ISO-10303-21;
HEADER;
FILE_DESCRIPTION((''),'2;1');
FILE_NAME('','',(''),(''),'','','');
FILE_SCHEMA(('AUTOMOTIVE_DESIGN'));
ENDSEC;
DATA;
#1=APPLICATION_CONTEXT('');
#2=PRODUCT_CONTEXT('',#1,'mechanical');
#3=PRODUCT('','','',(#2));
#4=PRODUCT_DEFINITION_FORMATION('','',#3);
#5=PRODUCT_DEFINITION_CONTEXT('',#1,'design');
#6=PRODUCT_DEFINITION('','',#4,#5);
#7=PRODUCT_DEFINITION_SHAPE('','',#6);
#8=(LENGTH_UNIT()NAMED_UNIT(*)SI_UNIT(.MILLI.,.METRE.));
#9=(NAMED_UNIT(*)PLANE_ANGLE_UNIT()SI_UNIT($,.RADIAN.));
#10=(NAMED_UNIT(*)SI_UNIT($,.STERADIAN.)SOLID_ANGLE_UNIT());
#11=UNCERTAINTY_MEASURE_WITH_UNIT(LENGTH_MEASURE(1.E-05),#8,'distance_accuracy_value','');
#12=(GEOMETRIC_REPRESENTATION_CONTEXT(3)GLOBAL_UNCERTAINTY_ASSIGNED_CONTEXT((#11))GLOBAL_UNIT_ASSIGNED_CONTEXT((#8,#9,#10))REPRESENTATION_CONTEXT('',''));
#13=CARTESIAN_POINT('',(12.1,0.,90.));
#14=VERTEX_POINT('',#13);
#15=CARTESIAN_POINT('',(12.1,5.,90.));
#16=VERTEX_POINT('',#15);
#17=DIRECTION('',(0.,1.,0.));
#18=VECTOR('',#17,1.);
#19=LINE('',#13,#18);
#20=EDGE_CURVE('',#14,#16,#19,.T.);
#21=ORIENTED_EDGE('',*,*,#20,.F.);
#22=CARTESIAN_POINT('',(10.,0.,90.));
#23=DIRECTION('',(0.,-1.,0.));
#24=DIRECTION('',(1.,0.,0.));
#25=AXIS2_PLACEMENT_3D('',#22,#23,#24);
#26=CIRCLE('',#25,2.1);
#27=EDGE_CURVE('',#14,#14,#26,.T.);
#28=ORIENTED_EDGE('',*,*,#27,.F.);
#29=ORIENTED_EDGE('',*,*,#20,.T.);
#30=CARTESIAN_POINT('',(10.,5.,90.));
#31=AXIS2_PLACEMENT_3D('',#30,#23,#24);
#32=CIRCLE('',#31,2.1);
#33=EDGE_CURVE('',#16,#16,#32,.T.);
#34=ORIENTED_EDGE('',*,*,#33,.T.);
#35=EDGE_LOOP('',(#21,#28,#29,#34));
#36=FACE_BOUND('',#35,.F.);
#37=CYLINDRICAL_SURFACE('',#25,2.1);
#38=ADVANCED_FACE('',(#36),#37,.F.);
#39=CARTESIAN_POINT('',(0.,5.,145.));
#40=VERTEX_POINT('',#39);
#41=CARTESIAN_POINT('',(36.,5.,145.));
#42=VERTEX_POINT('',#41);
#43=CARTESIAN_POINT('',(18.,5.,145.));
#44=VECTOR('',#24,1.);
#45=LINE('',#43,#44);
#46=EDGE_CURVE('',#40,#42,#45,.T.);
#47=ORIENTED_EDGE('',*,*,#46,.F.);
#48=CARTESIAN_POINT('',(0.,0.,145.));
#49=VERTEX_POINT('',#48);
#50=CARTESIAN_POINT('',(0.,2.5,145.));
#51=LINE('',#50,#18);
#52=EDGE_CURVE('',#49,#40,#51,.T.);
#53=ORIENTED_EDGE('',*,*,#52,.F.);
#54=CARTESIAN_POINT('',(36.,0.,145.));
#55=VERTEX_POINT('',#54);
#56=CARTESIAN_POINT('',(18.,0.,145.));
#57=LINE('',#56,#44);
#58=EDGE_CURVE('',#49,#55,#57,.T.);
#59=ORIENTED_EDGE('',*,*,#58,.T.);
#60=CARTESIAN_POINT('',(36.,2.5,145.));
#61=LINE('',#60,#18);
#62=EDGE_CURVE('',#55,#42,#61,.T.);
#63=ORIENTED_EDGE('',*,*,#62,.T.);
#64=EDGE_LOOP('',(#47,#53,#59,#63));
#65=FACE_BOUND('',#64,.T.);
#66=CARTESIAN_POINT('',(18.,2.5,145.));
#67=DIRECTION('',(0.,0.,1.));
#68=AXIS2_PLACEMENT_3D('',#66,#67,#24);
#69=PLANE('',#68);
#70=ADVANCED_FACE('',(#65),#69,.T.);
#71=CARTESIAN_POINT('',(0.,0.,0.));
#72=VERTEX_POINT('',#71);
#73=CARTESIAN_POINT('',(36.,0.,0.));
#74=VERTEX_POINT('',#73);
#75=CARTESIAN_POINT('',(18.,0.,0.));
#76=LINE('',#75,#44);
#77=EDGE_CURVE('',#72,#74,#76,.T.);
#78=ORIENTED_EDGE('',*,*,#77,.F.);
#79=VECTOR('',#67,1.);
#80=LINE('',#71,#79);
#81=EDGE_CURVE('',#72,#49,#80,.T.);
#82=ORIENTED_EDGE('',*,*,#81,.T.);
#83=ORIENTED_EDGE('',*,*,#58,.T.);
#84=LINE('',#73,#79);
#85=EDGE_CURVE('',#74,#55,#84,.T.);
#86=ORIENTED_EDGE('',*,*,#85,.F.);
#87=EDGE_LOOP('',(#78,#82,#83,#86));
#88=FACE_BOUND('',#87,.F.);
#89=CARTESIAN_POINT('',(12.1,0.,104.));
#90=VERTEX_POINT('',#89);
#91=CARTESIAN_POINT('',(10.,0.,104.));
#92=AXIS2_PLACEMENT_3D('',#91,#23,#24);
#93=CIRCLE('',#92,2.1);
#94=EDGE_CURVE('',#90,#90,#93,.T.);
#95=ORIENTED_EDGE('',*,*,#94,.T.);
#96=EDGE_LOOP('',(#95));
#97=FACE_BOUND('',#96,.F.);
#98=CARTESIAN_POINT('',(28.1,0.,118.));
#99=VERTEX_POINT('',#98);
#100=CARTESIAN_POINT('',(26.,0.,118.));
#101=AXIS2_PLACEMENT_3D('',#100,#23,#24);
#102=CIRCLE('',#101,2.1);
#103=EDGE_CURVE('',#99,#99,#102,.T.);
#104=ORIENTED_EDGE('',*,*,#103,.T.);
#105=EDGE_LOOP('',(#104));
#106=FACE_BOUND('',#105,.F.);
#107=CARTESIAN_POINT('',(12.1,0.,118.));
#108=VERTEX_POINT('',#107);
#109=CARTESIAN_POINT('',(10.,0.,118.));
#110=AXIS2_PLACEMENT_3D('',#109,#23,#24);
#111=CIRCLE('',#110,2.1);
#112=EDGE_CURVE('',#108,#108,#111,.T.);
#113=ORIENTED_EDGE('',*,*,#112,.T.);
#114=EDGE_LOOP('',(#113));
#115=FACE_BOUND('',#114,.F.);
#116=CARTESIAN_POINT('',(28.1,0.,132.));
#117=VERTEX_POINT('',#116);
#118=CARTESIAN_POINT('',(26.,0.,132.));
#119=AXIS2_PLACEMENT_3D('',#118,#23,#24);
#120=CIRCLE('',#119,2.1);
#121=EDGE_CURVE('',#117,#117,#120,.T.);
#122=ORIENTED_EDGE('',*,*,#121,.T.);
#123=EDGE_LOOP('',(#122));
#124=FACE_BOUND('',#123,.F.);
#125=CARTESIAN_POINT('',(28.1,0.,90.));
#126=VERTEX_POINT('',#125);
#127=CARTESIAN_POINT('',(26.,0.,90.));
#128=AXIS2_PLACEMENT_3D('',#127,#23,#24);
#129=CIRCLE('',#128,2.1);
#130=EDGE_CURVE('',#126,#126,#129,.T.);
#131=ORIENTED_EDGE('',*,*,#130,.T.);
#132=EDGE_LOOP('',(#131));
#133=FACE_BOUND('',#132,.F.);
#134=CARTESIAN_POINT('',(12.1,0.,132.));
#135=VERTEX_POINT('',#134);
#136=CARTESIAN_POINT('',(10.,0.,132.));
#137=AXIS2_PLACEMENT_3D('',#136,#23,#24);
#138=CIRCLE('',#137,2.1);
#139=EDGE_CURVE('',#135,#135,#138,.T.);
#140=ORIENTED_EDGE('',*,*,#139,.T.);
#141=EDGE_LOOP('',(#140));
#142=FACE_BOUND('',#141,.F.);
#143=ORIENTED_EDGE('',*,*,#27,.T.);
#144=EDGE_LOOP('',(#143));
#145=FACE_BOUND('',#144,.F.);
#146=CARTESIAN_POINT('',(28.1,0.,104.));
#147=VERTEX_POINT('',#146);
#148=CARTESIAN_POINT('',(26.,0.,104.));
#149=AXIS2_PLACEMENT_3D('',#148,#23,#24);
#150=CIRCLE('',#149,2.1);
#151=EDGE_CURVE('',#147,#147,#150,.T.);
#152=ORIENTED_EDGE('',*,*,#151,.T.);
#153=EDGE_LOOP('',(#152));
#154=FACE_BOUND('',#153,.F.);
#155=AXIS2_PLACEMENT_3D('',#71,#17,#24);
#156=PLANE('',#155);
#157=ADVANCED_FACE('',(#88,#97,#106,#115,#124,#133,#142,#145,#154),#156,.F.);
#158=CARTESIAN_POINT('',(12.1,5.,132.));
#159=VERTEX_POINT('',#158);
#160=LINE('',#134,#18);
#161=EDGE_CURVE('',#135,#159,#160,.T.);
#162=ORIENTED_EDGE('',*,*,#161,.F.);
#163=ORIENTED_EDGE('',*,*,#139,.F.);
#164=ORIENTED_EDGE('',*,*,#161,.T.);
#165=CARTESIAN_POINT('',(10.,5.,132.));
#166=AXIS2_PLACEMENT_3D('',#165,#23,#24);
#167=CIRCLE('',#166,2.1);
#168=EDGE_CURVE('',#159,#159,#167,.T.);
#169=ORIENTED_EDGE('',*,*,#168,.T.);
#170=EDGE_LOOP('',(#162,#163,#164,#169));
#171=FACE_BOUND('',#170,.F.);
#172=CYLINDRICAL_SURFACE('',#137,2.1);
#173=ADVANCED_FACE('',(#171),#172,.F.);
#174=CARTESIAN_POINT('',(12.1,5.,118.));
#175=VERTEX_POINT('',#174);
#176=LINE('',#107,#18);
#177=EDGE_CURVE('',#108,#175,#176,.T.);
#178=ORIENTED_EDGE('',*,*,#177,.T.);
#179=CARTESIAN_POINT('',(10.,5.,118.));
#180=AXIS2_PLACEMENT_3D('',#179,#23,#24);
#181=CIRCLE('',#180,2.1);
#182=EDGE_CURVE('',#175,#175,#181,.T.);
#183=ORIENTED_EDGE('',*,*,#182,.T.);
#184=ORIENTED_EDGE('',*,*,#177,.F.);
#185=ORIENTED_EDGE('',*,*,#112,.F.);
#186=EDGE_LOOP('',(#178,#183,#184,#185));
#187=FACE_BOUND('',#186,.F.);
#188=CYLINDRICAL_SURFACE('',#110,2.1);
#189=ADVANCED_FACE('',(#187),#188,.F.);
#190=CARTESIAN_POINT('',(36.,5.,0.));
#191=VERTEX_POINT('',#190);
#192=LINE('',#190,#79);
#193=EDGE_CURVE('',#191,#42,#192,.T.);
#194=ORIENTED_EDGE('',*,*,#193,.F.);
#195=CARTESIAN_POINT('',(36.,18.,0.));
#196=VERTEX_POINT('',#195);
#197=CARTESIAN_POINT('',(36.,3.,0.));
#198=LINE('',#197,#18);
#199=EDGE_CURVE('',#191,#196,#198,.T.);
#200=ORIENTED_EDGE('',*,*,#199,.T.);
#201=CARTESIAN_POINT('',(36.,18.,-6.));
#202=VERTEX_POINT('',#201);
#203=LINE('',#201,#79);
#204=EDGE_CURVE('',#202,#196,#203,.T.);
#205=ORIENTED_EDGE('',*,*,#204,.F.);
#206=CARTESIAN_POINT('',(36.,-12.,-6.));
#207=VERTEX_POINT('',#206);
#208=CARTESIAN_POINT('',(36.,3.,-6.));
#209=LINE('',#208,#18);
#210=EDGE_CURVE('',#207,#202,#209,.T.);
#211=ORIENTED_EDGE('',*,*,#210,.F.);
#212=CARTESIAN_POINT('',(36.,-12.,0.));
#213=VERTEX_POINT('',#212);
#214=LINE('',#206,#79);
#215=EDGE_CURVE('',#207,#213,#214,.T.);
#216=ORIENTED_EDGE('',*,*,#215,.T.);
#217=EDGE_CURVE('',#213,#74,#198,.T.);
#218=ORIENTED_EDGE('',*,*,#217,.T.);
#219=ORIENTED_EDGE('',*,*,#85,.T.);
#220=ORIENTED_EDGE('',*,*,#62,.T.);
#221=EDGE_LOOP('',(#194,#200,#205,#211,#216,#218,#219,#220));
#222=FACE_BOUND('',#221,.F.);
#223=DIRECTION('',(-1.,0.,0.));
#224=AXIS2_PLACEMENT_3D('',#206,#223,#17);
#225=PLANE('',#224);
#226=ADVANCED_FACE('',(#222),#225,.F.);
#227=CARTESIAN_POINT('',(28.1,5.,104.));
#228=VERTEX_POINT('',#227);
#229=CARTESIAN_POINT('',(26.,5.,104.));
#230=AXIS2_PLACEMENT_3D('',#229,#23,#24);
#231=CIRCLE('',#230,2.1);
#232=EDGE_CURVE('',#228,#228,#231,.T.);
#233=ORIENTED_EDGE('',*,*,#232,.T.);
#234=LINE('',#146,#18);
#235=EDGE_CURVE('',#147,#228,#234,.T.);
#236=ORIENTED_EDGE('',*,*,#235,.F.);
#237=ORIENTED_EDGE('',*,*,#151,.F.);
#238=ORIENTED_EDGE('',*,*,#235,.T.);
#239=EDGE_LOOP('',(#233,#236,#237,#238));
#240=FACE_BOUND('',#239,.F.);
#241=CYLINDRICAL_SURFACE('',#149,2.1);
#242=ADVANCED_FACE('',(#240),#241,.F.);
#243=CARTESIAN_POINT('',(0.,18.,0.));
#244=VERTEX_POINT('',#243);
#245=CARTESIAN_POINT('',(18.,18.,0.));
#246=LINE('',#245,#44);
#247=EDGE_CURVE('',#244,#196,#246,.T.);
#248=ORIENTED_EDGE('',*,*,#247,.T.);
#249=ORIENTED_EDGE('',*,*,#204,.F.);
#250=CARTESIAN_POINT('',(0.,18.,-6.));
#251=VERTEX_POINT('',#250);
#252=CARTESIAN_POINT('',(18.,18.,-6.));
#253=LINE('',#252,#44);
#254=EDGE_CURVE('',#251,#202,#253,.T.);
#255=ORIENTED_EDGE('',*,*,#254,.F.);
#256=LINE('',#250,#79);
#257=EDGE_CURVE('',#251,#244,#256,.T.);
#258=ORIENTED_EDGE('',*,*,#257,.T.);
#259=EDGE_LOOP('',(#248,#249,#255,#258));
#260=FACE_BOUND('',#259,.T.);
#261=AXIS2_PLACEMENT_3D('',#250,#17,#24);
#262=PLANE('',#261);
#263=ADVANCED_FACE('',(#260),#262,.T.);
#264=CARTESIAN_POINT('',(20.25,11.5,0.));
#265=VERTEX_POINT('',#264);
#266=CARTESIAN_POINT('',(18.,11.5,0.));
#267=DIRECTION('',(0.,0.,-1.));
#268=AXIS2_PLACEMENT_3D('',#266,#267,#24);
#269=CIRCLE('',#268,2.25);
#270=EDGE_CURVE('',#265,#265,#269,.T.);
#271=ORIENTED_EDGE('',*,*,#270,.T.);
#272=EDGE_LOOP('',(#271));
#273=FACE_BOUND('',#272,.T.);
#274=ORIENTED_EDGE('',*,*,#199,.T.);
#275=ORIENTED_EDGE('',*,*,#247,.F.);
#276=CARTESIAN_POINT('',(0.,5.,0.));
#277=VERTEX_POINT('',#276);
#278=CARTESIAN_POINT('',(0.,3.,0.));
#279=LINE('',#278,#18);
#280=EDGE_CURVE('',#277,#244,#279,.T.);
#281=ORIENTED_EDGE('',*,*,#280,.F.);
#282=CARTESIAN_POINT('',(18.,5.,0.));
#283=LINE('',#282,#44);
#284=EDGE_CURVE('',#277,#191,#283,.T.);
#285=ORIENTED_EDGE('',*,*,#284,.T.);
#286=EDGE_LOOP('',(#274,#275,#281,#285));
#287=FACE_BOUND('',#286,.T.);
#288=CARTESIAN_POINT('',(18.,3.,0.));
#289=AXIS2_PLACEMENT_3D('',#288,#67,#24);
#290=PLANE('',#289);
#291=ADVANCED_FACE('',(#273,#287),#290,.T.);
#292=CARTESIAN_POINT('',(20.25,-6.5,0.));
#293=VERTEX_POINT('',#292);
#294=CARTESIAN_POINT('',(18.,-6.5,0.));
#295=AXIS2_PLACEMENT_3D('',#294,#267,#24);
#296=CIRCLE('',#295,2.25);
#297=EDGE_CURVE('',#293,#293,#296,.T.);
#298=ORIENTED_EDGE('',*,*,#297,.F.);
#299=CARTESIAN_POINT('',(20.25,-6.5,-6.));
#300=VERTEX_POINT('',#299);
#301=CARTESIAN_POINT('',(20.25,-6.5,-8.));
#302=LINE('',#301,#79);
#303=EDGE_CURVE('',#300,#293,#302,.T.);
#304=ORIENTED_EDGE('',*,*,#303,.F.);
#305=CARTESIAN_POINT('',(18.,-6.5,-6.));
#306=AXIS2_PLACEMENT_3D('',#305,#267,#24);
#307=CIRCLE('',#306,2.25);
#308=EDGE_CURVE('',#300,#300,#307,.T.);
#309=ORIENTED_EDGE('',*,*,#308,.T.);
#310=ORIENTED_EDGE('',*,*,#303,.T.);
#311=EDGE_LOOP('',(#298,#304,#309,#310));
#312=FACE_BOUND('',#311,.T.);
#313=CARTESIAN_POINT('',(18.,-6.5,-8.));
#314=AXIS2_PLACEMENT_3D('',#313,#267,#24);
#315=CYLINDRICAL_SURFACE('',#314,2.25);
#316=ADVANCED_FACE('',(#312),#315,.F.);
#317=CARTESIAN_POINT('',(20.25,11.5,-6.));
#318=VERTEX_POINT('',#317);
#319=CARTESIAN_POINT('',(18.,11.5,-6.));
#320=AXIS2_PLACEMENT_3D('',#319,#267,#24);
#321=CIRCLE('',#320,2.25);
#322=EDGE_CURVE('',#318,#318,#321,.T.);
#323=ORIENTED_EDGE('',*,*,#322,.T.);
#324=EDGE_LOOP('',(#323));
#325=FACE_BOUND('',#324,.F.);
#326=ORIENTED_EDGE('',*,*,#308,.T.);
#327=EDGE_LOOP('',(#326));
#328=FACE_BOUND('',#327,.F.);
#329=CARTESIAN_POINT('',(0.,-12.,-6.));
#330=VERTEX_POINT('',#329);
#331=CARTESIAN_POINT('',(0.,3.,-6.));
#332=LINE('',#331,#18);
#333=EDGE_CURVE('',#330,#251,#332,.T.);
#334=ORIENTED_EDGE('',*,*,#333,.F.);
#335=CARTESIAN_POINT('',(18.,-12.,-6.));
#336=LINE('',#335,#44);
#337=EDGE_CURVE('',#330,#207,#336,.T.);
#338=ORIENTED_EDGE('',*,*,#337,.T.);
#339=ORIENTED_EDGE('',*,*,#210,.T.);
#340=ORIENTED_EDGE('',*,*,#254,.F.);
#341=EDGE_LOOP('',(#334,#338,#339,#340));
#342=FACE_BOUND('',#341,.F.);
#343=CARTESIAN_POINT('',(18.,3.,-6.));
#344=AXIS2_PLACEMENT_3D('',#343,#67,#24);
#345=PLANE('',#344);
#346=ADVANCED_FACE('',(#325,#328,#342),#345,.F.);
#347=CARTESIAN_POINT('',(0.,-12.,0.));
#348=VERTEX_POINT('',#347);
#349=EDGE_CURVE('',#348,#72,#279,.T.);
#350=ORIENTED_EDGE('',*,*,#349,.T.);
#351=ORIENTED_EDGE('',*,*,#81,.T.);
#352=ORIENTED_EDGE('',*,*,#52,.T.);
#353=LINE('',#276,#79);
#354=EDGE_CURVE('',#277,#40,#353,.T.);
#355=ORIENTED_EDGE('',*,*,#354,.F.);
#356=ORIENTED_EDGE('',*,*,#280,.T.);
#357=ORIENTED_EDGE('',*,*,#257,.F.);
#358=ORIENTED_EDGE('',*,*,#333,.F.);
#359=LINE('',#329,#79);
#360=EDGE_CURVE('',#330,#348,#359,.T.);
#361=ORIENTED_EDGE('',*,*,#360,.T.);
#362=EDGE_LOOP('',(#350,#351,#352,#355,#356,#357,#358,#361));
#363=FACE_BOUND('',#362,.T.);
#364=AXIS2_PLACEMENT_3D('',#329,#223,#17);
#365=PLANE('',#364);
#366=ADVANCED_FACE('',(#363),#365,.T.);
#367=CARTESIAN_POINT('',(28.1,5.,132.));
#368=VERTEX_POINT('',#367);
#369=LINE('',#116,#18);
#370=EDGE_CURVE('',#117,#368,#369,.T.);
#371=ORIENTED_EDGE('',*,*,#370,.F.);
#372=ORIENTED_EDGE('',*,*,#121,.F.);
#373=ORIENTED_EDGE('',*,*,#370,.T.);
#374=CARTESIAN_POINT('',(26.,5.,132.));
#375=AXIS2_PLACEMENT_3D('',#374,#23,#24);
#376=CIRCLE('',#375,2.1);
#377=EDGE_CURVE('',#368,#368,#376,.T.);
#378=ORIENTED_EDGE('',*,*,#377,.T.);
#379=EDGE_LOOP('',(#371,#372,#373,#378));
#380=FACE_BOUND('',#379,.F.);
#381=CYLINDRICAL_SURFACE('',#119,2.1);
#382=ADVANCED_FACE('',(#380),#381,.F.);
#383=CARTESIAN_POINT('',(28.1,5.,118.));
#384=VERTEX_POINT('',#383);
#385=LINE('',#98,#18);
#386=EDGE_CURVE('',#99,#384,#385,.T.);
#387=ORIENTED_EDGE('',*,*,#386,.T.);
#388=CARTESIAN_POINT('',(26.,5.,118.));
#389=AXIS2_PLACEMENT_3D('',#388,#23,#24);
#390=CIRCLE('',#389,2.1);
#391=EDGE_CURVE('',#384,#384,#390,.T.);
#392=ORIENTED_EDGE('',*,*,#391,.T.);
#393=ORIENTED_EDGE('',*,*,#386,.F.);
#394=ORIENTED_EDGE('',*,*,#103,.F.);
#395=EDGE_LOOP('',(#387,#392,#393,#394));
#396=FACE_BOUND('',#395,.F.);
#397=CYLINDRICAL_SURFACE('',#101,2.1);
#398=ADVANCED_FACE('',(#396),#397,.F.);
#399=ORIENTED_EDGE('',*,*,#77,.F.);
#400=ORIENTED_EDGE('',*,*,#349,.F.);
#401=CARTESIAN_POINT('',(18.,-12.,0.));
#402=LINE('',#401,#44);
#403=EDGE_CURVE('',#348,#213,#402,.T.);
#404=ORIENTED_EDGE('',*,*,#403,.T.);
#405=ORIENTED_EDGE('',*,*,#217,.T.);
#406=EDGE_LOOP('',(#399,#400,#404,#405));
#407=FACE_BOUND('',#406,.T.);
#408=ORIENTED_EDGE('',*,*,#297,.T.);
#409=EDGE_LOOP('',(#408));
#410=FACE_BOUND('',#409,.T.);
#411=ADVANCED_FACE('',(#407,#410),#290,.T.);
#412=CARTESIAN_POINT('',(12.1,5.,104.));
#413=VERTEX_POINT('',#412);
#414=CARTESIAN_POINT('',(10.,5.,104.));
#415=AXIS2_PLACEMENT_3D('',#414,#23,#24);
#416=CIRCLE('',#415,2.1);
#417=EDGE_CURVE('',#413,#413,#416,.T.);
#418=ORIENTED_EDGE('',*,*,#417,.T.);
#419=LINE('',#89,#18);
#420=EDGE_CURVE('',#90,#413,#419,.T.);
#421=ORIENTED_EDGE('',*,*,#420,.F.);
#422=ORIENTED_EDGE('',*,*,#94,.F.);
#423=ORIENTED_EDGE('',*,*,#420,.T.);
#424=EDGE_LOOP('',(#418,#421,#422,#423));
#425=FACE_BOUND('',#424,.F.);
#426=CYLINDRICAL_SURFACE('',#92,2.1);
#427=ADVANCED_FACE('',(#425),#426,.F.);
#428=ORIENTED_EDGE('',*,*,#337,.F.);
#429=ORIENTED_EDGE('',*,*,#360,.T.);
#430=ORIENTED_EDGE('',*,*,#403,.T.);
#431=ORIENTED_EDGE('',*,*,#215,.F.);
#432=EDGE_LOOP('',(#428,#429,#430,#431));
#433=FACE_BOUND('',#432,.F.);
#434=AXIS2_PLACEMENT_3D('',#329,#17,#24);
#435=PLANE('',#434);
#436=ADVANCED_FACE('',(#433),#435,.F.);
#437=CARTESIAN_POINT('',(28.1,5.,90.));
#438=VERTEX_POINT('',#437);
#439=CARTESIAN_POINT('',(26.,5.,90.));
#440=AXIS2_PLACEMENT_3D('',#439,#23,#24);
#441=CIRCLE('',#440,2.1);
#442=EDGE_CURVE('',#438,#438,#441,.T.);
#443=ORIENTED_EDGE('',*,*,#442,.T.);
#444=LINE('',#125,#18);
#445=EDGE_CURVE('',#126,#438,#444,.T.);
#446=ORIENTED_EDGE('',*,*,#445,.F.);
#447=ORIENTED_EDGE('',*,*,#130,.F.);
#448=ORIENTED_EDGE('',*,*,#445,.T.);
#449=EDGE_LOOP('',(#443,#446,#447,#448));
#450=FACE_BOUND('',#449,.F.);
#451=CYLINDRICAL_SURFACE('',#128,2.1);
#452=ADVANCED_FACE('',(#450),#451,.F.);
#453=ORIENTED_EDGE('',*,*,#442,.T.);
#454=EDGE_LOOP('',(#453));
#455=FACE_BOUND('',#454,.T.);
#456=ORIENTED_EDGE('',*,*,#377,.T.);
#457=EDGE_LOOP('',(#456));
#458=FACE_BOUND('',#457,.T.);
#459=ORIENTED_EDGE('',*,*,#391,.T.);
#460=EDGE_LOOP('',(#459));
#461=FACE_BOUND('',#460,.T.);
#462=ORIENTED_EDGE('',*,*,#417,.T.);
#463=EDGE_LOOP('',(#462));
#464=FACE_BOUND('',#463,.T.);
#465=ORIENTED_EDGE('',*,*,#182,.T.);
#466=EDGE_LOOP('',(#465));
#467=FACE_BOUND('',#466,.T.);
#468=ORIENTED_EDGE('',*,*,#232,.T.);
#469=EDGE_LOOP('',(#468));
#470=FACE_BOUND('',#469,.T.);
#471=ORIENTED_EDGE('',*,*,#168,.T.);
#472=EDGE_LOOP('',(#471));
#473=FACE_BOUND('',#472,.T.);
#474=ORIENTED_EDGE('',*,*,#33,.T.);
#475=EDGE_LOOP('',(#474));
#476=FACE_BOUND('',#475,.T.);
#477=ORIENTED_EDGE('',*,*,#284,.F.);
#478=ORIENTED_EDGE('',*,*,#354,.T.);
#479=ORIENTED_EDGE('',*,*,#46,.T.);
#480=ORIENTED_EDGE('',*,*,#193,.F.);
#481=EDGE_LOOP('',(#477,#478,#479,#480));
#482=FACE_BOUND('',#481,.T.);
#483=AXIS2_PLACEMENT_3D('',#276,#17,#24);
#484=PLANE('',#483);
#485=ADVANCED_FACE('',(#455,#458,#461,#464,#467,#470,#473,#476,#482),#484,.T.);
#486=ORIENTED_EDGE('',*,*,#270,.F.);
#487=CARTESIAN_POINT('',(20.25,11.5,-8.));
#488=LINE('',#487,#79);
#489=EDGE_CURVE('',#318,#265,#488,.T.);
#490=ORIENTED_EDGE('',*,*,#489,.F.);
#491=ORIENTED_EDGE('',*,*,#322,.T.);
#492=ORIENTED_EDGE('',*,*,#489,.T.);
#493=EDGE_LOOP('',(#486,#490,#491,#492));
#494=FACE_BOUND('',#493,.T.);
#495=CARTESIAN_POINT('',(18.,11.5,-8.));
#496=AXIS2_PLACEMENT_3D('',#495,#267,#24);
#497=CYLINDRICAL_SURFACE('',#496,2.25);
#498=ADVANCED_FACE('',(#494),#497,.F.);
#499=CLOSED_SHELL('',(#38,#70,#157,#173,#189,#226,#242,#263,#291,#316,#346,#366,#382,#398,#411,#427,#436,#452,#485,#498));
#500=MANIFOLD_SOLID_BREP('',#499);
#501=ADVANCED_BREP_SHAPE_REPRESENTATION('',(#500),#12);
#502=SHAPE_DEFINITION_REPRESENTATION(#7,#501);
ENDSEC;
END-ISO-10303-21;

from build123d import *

# Parameters (mm, degrees)
BOX007_W          = 36
BOX007_H          = 5
BOX007_DEPTH      = 145
SKETCH001_R       = 2.1
POCKET001_DEPTH   = 5
CYLINDER003_R     = 2.25
CYLINDER003_DEPTH = 10
CYLINDER004_R     = 2.25
CYLINDER004_DEPTH = 10
BOX006_W          = 36
BOX006_H          = 30
BOX006_DEPTH      = 6


with BuildPart() as pocket001:
    # Box007 → Box007 (new body)
    with BuildSketch(Plane.XY):
        with Locations((18, 2.5)):
            Rectangle(BOX007_W, BOX007_H)
    extrude(amount=BOX007_DEPTH)

    # Sketch001 (on Face3 of Box007) → Pocket001 (cut)
    with BuildSketch(Plane.XZ):
        with Locations((10, 132)):
            Circle(SKETCH001_R)
        with Locations((26, 132)):
            Circle(SKETCH001_R)
        with Locations((10, 118)):
            Circle(SKETCH001_R)
        with Locations((26, 118)):
            Circle(SKETCH001_R)
        with Locations((10, 104)):
            Circle(SKETCH001_R)
        with Locations((26, 104)):
            Circle(SKETCH001_R)
        with Locations((10, 90)):
            Circle(SKETCH001_R)
        with Locations((26, 90)):
            Circle(SKETCH001_R)
    extrude(amount=-POCKET001_DEPTH, mode=Mode.SUBTRACT)


with BuildPart() as cilindro003:
    # Cylinder003 → Cylinder003 (new body)
    with BuildSketch(Plane(origin=(18, 11.5, -8), x_dir=(1, 0, 0), z_dir=(0, 0, 1))):
        Circle(CYLINDER003_R)
    extrude(amount=CYLINDER003_DEPTH)


with BuildPart() as cilindro004:
    # Cylinder004 → Cylinder004 (new body)
    with BuildSketch(Plane(origin=(18, -6.5, -8), x_dir=(1, 0, 0), z_dir=(0, 0, 1))):
        Circle(CYLINDER004_R)
    extrude(amount=CYLINDER004_DEPTH)


with BuildPart() as modulo_tensionador2:
    # Box006 → Box006 (new body)
    with BuildSketch(Plane(origin=(0, -12, -6), x_dir=(1, 0, 0), z_dir=(0, 0, 1))):
        with Locations((18, 15)):
            Rectangle(BOX006_W, BOX006_H)
    extrude(amount=BOX006_DEPTH)

    # Cut003001005: cut Cilindro004
    add(cilindro004.part, mode=Mode.SUBTRACT)

    # Cut003001006: cut Cilindro003
    add(cilindro003.part, mode=Mode.SUBTRACT)

    # Fusion001002018: union Pocket001
    add(pocket001.part)


solid = modulo_tensionador2.part
